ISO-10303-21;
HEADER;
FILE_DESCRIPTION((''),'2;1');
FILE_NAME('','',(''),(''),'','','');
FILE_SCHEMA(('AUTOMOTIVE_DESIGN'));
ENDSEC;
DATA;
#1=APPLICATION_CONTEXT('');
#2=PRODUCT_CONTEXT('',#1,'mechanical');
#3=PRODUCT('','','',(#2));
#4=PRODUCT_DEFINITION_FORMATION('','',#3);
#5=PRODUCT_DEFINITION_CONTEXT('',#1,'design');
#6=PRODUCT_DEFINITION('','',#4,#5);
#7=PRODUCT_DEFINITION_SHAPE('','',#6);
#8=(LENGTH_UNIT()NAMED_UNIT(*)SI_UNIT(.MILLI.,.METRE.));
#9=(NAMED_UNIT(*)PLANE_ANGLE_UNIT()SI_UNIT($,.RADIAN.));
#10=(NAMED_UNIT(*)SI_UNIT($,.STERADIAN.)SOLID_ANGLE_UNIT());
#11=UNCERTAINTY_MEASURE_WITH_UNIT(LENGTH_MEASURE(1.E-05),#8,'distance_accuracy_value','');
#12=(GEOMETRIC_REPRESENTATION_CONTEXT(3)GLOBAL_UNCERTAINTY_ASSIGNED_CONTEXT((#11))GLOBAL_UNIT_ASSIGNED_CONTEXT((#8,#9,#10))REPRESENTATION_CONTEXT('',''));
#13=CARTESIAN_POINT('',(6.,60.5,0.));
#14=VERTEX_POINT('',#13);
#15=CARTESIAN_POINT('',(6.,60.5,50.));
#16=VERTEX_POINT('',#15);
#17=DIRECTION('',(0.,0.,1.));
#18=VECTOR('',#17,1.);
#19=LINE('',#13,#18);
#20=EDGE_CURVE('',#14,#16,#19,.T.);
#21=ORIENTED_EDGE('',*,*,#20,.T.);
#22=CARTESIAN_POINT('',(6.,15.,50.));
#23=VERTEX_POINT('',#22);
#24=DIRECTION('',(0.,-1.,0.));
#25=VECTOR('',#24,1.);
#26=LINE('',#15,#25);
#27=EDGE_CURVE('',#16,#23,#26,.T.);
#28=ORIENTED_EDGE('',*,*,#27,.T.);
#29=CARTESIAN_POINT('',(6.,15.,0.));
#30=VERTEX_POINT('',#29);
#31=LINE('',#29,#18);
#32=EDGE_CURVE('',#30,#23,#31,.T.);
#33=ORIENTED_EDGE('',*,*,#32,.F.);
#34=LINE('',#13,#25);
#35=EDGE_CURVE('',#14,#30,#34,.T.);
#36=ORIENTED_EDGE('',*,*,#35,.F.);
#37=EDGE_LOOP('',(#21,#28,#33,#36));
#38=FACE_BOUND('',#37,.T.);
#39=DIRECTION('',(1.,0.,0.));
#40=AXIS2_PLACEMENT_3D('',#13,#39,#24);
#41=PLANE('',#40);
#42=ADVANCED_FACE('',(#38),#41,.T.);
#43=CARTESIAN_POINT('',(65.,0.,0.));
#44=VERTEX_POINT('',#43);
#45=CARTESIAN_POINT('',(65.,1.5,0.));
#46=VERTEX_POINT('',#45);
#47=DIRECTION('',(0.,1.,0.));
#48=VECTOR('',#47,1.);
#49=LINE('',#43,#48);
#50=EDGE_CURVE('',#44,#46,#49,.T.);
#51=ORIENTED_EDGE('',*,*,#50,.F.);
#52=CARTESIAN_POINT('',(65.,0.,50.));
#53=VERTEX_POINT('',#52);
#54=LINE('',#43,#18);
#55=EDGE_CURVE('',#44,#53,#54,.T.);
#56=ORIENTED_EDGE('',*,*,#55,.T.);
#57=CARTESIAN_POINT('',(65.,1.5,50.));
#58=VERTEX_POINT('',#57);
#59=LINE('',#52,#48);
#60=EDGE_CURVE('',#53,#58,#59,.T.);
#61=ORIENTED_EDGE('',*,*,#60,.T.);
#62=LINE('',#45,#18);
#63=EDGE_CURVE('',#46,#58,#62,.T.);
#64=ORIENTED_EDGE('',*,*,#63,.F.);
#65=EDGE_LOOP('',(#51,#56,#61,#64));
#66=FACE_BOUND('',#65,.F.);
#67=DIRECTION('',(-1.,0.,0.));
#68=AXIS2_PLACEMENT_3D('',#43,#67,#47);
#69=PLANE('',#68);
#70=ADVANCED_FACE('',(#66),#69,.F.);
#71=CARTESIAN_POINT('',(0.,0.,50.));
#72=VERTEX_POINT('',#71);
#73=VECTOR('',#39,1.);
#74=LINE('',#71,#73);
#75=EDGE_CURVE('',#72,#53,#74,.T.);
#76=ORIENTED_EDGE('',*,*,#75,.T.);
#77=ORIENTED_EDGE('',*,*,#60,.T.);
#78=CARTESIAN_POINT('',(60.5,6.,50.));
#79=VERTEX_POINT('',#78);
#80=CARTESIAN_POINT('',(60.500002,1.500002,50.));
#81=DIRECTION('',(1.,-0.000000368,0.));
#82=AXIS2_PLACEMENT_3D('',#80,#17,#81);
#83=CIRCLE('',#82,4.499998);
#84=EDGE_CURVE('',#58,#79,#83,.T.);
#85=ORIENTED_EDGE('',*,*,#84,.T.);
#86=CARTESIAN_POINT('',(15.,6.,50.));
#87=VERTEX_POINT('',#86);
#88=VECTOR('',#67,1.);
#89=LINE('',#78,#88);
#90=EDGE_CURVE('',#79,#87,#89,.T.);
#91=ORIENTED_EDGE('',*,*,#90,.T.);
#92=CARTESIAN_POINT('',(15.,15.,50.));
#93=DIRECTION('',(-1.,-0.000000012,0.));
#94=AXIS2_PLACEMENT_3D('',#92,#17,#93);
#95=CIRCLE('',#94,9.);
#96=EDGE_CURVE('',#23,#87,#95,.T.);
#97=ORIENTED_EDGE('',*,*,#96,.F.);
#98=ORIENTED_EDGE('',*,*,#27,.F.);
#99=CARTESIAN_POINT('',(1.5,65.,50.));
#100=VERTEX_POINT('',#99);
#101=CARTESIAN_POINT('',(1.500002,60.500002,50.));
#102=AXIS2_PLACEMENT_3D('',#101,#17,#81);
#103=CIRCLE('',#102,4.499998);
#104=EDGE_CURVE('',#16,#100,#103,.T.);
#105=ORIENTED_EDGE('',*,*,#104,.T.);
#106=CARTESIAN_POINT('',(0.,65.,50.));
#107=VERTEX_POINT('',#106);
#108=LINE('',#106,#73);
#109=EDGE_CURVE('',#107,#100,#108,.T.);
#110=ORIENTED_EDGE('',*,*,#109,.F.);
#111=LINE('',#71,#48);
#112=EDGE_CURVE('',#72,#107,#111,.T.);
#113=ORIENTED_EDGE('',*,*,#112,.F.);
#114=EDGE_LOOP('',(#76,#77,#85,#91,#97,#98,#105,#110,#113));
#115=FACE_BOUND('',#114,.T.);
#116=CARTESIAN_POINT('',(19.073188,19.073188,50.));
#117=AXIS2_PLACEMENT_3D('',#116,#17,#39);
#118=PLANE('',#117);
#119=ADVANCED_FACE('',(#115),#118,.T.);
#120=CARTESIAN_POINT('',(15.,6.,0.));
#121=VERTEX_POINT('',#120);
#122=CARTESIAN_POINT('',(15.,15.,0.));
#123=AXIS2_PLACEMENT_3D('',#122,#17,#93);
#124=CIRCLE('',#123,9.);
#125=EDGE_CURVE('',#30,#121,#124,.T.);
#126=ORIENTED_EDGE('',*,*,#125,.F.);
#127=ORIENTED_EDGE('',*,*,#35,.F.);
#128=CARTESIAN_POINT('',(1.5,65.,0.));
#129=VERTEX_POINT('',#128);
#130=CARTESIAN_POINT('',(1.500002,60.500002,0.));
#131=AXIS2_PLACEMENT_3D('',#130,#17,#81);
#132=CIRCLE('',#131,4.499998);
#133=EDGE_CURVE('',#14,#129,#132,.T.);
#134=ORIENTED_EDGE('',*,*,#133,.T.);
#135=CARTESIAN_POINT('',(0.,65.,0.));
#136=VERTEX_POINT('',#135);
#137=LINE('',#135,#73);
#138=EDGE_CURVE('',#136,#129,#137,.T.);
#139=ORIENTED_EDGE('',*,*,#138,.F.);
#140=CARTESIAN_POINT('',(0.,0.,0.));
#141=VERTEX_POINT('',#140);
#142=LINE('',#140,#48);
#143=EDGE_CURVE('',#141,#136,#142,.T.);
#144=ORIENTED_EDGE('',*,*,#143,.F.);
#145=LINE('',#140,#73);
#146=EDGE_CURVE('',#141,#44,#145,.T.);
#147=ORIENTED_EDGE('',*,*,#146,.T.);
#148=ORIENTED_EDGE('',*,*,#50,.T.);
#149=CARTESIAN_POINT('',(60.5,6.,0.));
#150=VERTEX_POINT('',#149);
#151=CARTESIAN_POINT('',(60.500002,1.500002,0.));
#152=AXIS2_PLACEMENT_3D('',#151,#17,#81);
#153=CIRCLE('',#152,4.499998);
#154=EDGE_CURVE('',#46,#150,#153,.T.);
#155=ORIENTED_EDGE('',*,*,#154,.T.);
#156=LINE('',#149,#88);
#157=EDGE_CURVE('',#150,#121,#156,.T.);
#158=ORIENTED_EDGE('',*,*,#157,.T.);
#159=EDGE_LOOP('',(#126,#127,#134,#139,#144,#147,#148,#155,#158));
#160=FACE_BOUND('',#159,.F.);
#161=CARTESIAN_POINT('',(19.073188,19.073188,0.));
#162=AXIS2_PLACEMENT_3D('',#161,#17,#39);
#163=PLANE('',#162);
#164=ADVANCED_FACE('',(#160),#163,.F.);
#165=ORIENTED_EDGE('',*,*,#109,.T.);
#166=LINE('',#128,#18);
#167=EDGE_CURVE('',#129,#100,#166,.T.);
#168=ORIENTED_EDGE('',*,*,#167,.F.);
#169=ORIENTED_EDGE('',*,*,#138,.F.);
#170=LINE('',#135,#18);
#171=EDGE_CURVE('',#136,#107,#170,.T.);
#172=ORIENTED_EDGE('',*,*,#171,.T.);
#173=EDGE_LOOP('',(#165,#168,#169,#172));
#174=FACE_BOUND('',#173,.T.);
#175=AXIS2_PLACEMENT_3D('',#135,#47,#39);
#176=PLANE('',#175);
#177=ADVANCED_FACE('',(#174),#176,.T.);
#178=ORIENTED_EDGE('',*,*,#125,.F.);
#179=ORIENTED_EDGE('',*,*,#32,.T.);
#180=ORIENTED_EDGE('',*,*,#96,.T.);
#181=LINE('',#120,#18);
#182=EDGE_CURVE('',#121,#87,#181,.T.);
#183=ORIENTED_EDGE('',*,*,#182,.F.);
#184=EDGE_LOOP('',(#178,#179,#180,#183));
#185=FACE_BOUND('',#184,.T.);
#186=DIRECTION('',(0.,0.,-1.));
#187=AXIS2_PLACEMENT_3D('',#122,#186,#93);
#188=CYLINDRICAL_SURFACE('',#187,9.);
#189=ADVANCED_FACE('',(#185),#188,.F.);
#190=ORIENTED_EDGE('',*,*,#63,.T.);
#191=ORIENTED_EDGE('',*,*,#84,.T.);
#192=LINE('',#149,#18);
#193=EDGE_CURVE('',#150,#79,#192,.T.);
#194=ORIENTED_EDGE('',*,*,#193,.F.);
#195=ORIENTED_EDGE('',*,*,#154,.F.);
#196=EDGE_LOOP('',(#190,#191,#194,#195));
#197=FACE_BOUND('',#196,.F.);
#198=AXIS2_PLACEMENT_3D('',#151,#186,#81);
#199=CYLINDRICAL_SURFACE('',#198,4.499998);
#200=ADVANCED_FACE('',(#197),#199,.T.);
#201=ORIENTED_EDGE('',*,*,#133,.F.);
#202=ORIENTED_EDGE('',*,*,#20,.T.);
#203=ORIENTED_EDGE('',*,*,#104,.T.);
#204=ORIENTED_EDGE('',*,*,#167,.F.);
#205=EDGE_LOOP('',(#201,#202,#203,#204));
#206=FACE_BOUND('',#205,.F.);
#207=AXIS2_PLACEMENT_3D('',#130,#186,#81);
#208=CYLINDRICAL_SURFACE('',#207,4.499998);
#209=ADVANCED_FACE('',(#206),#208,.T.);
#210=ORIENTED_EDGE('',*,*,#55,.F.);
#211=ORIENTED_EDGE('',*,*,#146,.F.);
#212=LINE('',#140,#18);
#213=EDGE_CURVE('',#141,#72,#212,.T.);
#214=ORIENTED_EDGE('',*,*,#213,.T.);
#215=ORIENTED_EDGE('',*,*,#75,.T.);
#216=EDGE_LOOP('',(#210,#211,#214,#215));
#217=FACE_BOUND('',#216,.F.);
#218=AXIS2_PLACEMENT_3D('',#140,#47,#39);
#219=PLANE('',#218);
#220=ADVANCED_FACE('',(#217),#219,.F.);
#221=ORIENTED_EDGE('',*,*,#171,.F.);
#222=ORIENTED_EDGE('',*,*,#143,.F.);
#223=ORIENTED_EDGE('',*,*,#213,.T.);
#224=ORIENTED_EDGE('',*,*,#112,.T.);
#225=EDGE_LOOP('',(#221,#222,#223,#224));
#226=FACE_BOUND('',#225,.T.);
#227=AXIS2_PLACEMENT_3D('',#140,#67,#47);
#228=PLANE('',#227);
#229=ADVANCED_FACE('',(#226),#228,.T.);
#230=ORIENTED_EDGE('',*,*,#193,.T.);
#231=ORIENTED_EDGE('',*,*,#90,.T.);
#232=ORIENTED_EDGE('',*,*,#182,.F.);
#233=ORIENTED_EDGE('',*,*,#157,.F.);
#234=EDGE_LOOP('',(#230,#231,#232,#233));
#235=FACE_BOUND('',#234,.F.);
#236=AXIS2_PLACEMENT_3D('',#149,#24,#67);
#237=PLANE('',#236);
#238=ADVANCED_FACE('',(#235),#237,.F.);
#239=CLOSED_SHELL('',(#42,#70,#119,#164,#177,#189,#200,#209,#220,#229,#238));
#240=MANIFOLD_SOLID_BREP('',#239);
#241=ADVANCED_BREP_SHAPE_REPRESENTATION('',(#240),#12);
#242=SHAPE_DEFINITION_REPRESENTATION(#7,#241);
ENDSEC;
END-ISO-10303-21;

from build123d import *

# Parameters (mm, degrees)
EXTRUDE_DEPTH = 50


with BuildPart() as part:
    # Sketch → Extrude (new body)
    with BuildSketch(Plane.XY):
        with BuildLine():
            Line((0, 0), (65, 0))
            Line((65, 0), (65, 1.5))
            ThreePointArc((65, 1.5), (63.681981, 4.681981), (60.5, 6))
            Line((60.5, 6), (15, 6))
            ThreePointArc((6, 15), (8.636039, 8.636039), (15, 6))
            Line((6, 60.5), (6, 15))
            ThreePointArc((6, 60.5), (4.681981, 63.681981), (1.5, 65))
            Line((0, 65), (1.5, 65))
            Line((0, 0), (0, 65))
        make_face()
    extrude(amount=EXTRUDE_DEPTH)


solid = part.part
